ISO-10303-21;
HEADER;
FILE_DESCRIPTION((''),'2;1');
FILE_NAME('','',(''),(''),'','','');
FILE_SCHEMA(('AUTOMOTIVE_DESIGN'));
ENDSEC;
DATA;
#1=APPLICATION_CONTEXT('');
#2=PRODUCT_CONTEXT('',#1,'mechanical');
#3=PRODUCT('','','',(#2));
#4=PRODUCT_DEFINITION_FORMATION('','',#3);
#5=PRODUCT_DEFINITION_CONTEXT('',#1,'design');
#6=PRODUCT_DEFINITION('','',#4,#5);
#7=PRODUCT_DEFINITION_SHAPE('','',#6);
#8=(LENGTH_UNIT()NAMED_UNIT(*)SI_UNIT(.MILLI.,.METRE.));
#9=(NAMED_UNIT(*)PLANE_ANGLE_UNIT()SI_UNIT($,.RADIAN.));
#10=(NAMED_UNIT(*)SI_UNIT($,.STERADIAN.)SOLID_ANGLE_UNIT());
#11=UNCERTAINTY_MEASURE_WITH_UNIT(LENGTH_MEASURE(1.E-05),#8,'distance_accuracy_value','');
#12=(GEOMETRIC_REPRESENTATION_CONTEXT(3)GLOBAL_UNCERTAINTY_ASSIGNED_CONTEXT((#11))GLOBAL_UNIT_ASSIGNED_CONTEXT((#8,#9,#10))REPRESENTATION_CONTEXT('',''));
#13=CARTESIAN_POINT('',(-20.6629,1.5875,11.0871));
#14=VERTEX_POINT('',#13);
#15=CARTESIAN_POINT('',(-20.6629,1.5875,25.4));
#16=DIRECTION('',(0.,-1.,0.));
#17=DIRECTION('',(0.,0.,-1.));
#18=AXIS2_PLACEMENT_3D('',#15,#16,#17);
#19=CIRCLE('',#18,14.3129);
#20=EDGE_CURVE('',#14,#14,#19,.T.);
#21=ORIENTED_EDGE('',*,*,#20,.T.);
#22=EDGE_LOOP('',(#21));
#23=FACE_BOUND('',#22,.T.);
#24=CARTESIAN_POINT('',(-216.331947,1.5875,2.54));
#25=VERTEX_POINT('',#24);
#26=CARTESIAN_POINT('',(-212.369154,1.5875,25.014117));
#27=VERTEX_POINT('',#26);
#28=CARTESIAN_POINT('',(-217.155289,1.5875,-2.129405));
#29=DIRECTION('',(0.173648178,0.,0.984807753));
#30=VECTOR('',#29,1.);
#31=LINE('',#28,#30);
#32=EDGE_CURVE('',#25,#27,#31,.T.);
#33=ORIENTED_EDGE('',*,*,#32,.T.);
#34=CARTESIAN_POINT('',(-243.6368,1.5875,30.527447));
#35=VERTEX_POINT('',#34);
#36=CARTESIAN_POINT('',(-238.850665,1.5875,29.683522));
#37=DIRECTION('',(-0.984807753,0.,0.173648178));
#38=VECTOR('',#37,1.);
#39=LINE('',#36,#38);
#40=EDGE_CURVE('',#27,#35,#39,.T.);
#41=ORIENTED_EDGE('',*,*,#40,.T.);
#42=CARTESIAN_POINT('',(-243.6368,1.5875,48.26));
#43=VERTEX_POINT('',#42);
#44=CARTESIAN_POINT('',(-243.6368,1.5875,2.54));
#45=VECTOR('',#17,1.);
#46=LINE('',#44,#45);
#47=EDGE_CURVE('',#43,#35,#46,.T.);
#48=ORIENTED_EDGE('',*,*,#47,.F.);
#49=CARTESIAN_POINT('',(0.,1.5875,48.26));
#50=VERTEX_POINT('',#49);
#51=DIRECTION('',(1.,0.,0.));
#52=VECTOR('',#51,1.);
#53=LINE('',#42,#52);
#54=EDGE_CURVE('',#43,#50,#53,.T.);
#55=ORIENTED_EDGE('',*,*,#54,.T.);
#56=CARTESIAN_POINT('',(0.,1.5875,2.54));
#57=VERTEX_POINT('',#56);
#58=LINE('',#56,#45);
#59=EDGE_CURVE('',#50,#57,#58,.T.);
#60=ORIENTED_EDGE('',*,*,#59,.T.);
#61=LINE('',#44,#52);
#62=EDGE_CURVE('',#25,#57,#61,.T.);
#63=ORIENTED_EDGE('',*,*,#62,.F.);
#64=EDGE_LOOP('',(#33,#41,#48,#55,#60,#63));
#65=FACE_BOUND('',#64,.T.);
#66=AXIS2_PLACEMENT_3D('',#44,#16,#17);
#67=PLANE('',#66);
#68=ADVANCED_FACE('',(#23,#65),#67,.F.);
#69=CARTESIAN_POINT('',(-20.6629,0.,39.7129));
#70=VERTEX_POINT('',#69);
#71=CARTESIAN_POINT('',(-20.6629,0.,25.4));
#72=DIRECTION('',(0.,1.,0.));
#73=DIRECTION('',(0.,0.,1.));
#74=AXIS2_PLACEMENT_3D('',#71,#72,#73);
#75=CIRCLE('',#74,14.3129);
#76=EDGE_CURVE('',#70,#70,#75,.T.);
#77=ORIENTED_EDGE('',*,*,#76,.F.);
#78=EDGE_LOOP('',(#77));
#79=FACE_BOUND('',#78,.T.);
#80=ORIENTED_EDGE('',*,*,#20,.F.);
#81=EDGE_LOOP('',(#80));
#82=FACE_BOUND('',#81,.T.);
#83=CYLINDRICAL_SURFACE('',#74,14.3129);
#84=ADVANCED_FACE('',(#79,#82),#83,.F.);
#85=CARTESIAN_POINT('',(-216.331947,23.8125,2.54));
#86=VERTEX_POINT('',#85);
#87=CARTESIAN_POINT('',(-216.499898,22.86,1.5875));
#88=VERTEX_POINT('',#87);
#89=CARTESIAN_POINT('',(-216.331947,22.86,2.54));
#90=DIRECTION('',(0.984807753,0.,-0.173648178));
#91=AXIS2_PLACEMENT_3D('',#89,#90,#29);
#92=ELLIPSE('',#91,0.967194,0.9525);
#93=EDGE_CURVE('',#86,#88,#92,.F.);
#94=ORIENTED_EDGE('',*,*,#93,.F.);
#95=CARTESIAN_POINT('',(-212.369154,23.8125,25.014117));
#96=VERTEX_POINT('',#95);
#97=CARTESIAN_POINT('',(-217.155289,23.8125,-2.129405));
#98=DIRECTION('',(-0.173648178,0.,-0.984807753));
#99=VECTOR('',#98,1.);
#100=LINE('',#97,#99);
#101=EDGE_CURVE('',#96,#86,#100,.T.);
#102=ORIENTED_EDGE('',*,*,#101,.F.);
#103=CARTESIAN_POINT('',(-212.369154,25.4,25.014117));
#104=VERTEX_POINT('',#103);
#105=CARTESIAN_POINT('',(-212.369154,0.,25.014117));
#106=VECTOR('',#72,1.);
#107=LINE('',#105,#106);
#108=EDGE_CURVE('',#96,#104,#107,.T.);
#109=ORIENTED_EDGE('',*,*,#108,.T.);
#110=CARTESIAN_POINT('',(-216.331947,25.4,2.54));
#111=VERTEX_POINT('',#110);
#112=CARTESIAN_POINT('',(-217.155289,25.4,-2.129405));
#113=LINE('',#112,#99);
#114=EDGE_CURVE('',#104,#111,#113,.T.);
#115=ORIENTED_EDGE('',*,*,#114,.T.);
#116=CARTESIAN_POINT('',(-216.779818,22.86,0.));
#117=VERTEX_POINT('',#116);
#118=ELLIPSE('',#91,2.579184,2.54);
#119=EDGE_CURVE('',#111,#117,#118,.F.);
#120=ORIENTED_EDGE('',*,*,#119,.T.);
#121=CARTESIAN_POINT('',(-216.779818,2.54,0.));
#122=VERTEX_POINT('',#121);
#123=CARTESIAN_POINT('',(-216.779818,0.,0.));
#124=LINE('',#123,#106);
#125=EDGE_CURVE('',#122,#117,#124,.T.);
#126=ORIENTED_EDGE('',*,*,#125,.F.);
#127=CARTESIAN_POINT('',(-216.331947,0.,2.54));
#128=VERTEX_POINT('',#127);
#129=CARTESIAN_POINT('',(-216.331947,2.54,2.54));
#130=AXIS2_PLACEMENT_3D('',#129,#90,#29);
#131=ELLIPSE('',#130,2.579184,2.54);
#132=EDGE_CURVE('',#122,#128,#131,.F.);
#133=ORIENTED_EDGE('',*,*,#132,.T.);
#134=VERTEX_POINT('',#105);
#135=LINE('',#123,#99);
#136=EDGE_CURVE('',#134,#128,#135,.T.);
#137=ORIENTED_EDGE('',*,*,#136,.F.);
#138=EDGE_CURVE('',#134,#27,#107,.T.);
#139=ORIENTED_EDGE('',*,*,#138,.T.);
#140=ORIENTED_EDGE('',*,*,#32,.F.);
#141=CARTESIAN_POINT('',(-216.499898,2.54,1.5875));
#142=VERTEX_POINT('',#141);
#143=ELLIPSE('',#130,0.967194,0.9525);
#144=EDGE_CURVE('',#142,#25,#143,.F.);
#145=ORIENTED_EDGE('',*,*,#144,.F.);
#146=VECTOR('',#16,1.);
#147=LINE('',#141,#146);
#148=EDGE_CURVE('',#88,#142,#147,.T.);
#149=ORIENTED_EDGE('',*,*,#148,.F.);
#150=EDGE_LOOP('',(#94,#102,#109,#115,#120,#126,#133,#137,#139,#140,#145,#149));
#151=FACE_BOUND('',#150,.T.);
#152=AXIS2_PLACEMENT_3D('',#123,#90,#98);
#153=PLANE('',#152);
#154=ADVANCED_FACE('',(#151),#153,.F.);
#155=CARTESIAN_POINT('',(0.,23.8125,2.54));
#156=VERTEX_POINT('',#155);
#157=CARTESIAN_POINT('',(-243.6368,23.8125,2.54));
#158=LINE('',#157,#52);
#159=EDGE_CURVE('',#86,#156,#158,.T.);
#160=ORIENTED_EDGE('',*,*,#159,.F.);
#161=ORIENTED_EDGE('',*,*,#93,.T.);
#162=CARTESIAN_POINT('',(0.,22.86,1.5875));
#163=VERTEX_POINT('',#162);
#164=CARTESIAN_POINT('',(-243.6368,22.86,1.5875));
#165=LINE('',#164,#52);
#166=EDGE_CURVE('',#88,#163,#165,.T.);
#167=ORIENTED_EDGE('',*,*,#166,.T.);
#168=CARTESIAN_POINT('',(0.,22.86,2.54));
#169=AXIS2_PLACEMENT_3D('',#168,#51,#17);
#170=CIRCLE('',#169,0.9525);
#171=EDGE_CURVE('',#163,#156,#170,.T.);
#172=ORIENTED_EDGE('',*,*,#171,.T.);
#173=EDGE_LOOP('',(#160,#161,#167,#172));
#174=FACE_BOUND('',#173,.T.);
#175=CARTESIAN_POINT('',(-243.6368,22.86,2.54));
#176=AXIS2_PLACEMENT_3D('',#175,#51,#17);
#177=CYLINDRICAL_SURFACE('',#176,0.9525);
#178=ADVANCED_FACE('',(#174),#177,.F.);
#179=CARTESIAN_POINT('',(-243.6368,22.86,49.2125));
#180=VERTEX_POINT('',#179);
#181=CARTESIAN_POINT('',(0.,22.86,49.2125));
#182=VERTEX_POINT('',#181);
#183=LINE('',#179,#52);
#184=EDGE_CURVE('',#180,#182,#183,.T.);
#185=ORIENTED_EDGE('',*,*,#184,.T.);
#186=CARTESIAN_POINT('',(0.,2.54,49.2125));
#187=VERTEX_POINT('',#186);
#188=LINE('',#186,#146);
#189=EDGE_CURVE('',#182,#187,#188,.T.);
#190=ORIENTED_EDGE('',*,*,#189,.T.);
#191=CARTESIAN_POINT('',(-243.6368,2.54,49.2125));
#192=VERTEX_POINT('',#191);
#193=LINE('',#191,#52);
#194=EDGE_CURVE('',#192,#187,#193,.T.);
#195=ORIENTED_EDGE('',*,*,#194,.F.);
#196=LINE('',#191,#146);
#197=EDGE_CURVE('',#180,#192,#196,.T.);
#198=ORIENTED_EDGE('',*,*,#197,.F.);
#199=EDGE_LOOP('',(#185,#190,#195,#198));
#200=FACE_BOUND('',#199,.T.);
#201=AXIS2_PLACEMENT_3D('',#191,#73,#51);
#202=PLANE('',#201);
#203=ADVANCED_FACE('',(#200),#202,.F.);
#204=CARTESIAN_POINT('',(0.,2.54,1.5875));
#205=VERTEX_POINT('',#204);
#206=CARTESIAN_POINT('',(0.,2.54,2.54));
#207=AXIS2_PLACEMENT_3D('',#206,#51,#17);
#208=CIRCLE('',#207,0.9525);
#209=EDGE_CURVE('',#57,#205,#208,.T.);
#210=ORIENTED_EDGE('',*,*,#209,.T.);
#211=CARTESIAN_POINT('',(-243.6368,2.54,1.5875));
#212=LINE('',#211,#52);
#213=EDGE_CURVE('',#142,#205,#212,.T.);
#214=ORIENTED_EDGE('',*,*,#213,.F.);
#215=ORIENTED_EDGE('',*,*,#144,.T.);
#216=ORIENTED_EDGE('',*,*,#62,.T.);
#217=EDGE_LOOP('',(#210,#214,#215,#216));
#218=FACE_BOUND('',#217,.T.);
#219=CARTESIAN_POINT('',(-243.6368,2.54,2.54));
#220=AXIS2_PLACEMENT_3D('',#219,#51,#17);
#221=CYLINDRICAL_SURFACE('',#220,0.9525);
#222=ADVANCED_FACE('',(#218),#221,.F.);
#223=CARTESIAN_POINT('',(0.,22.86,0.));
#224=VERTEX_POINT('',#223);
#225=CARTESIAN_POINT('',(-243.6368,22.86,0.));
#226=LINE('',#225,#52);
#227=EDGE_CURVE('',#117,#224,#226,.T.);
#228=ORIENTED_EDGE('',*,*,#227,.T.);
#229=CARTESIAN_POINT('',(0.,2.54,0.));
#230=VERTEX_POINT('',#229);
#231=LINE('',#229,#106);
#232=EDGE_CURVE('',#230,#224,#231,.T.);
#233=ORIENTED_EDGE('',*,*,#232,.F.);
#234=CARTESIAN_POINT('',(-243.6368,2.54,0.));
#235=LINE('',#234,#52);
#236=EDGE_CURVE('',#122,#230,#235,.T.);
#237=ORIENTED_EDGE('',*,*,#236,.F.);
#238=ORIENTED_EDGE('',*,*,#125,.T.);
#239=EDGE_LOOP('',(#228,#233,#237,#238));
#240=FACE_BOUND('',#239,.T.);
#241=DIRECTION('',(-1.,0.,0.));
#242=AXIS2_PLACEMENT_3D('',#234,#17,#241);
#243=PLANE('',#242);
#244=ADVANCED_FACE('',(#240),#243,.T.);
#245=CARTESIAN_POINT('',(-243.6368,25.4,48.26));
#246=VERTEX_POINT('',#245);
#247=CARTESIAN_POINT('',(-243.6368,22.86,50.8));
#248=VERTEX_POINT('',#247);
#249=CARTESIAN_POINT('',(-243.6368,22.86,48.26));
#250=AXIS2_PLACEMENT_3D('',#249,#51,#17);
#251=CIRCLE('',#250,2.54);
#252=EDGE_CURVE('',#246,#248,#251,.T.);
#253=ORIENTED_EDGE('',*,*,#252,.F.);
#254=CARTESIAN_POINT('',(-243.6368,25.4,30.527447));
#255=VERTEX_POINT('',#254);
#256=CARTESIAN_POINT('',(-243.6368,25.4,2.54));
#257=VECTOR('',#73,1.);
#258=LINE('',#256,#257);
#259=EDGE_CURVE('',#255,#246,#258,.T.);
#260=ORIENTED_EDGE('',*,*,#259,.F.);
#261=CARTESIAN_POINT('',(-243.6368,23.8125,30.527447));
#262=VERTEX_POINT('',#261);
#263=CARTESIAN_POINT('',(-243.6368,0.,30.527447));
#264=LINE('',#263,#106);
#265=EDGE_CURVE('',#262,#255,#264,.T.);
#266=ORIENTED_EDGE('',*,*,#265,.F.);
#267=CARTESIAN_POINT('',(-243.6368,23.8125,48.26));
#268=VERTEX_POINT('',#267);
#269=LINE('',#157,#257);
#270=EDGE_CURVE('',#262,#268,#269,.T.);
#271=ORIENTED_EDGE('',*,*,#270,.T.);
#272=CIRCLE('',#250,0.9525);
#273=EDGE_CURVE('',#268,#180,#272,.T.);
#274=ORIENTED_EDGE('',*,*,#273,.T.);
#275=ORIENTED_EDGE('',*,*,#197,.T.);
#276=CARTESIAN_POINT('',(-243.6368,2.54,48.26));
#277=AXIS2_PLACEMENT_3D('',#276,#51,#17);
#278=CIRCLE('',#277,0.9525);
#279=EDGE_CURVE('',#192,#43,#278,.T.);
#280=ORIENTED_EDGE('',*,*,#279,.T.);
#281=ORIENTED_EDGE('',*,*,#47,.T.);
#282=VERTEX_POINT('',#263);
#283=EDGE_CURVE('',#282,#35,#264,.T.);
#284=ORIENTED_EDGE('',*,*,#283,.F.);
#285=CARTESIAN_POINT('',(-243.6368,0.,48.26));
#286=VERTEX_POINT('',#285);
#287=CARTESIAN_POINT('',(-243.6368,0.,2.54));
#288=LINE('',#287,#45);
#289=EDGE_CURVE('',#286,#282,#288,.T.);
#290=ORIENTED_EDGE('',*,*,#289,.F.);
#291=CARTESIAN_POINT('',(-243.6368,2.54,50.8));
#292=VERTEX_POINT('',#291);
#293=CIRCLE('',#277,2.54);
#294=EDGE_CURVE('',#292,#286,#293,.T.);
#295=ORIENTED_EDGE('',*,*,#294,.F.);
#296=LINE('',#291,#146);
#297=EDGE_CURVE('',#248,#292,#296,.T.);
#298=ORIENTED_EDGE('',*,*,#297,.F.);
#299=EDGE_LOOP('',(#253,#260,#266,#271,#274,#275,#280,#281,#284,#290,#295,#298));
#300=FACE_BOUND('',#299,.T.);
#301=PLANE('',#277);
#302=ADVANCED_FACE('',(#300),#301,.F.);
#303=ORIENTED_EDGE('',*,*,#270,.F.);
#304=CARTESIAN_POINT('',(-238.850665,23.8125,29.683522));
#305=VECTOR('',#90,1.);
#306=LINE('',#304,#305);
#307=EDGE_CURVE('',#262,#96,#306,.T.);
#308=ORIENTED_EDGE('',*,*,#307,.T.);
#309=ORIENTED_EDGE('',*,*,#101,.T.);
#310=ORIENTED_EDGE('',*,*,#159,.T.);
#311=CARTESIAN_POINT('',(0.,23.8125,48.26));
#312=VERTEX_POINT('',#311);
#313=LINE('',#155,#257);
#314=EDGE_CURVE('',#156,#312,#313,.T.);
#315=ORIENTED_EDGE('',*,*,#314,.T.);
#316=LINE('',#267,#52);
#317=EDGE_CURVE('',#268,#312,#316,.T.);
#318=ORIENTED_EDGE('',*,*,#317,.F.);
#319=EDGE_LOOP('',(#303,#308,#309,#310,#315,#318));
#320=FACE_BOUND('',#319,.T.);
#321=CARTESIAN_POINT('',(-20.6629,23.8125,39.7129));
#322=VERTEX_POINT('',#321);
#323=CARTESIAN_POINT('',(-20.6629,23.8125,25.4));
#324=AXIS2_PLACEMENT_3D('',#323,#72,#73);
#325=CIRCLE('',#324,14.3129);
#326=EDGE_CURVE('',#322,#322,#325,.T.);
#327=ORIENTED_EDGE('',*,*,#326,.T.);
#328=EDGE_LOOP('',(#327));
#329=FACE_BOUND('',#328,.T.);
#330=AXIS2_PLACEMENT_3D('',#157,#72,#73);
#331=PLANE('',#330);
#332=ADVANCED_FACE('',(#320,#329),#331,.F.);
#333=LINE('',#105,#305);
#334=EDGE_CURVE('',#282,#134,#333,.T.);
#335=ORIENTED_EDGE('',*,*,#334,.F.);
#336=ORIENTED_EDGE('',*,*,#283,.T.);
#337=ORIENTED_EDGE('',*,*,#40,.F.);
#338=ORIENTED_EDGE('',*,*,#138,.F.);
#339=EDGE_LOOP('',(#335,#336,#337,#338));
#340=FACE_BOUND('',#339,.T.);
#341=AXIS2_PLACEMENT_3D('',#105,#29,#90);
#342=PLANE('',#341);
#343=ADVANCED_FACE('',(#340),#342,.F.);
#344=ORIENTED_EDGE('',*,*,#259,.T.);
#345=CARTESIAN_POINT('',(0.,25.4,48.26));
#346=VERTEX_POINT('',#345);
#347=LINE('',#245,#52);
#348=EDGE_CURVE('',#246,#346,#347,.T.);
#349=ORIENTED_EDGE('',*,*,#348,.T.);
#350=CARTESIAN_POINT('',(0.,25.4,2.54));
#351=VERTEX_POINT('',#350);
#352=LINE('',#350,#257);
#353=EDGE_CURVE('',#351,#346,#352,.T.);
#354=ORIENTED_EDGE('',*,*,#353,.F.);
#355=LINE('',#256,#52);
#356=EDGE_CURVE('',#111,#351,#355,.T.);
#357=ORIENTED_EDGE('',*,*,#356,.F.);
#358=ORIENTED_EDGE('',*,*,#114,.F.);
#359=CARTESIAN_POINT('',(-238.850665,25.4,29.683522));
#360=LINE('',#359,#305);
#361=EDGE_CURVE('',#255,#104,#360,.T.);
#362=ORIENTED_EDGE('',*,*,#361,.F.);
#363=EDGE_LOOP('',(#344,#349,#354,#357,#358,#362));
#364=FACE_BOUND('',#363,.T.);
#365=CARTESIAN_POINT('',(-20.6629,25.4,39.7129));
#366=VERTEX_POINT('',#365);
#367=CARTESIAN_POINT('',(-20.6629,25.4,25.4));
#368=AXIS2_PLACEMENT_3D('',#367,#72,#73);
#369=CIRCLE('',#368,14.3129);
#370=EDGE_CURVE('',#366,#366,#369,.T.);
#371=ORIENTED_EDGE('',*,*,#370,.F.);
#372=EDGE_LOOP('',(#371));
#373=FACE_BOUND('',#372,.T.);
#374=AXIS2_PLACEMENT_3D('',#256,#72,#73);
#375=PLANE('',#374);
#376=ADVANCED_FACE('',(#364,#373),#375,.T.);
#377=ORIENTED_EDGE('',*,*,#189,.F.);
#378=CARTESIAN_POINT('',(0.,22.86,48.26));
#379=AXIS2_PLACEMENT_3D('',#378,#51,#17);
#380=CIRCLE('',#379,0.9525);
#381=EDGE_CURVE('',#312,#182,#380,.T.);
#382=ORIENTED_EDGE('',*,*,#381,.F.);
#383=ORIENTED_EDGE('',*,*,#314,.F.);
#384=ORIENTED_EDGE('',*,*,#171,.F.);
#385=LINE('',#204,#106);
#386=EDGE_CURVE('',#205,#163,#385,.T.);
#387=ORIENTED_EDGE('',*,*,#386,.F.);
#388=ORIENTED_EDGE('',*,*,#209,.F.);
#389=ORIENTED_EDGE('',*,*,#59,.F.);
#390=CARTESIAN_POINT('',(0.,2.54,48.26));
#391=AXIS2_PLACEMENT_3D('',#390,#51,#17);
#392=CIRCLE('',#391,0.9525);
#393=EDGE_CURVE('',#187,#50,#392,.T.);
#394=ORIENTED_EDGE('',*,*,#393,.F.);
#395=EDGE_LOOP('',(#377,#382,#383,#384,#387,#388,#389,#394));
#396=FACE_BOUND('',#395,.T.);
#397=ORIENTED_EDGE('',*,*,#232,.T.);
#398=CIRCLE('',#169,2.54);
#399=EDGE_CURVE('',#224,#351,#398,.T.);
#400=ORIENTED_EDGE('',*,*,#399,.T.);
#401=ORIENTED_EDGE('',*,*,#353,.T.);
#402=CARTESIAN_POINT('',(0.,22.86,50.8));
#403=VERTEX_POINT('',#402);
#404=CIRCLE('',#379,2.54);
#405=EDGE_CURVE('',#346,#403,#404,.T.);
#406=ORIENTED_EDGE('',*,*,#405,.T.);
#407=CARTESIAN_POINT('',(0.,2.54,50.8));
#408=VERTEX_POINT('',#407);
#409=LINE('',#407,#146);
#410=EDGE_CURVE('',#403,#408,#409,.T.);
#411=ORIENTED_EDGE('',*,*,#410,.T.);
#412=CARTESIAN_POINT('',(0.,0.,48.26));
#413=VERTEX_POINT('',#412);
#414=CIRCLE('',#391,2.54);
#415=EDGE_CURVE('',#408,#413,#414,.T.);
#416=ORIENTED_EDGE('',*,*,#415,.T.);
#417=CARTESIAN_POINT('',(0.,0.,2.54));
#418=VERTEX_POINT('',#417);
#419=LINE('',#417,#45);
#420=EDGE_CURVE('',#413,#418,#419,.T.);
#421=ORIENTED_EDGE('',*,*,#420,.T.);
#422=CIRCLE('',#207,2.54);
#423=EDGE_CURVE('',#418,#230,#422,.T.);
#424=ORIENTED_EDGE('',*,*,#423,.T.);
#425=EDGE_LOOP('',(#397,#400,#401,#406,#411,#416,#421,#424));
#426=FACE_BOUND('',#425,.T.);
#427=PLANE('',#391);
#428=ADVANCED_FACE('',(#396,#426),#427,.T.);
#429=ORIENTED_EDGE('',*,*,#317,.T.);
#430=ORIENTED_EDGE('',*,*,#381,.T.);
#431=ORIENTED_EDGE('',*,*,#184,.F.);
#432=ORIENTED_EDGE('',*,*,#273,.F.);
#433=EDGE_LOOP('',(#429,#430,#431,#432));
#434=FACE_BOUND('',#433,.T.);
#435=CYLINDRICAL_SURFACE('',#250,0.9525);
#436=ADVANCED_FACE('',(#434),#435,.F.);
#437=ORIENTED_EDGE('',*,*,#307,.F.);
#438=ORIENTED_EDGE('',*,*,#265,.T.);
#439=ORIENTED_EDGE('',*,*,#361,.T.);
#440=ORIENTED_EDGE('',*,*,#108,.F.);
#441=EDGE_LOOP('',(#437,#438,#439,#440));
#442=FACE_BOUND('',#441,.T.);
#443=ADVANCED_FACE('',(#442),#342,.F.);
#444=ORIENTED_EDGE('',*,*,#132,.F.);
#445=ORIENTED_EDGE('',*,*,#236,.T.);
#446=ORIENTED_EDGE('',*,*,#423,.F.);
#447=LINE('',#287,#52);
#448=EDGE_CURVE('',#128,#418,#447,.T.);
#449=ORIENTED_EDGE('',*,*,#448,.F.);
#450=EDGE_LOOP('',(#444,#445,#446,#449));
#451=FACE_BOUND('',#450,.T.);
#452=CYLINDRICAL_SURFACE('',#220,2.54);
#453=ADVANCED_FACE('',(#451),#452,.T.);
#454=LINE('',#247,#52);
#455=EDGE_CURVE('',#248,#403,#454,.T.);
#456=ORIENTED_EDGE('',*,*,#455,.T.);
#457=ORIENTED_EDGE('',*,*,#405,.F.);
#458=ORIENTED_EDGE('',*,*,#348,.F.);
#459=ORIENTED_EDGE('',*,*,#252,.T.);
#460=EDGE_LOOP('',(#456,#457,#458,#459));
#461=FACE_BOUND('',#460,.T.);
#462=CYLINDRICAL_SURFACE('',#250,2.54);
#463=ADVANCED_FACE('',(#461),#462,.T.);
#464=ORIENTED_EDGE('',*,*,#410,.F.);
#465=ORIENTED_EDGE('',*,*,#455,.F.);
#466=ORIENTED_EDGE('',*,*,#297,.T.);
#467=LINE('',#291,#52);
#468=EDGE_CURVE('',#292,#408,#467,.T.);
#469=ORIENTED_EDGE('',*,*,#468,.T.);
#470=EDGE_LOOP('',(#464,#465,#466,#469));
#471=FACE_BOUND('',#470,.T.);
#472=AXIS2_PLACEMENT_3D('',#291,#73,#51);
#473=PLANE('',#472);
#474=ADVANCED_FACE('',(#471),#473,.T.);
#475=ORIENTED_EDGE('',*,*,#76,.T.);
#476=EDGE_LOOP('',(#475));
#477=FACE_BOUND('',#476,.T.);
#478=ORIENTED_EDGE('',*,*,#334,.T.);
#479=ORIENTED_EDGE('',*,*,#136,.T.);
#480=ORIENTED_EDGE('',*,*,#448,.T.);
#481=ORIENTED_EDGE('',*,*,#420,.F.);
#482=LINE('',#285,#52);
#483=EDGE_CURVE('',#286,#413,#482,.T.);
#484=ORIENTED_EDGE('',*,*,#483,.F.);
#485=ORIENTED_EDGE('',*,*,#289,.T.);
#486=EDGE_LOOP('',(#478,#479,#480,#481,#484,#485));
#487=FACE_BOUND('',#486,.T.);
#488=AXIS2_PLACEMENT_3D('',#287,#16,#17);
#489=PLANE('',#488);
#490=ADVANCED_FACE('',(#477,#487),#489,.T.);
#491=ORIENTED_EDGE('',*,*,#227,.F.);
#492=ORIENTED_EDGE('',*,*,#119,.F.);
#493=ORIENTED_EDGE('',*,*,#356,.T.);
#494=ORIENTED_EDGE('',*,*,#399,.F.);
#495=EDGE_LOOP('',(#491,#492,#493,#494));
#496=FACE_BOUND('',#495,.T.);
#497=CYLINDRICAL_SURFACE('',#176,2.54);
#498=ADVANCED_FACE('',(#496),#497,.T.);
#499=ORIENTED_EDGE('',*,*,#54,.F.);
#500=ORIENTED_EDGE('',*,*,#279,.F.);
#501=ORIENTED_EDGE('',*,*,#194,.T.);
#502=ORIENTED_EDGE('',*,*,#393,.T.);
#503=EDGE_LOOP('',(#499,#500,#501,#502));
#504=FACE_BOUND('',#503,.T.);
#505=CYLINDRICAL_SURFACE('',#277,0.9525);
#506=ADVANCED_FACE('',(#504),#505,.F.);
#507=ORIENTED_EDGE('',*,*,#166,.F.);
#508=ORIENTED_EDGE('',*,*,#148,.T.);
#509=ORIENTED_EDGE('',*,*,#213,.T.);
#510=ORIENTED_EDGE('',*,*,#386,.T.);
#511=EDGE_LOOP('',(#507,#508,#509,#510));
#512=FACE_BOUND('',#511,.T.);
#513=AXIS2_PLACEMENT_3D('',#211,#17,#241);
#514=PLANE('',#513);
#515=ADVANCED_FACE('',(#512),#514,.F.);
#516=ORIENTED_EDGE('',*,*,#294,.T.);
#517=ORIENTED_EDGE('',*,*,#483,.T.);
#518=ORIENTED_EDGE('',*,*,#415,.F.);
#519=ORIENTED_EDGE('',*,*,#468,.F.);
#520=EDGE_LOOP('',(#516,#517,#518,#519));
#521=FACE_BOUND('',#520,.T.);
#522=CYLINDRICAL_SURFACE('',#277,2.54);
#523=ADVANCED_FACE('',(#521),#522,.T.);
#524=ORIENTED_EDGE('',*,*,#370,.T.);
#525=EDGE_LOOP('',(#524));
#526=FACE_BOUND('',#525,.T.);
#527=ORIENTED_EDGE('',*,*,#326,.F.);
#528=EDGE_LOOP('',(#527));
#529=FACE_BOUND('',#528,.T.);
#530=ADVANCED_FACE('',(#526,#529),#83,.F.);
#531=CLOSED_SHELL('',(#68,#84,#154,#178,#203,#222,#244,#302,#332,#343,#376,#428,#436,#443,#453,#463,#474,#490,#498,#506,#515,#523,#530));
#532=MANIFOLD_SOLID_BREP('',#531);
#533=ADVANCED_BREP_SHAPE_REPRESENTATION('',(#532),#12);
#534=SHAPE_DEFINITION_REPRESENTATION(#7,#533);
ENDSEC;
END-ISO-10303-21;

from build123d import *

# Parameters (mm, degrees)
EXTRUDE_THIN1_DEPTH     = 243.6368
CUT_EXTRUDE1_DEPTH      = 251.169323288
CUT_EXTRUDE1_DEPTH_BACK = 251.169323288
SKETCH4_R               = 14.3129


with BuildPart() as part:
    # Sketch1 → Extrude-Thin1 (new body)
    with BuildSketch(Plane(origin=(0, 0, 0), x_dir=(0, 0, -1), z_dir=(1, 0, 0))):
        with BuildLine():
            Line((-48.26, 25.4), (-2.54, 25.4))
            ThreePointArc((-2.54, 25.4), (-0.743948776, 24.656051224), (0, 22.86))
            Line((0, 22.86), (0, 2.54))
            ThreePointArc((0, 2.54), (-0.743948776, 0.743948776), (-2.54, 0))
            Line((-2.54, 0), (-48.26, 0))
            ThreePointArc((-48.26, 0), (-50.056051224, 0.743948776), (-50.8, 2.54))
            Line((-50.8, 2.54), (-50.8, 22.86))
            ThreePointArc((-50.8, 22.86), (-50.056051224, 24.656051224), (-48.26, 25.4))
        make_face()
        with BuildLine():
            Line((-48.26, 23.8125), (-2.54, 23.8125))
            ThreePointArc((-2.54, 23.8125), (-1.866480791, 23.533519209), (-1.5875, 22.86))
            Line((-1.5875, 22.86), (-1.5875, 2.54))
            ThreePointArc((-1.5875, 2.54), (-1.866480791, 1.866480791), (-2.54, 1.5875))
            Line((-2.54, 1.5875), (-48.26, 1.5875))
            ThreePointArc((-48.26, 1.5875), (-48.933519209, 1.866480791), (-49.2125, 2.54))
            Line((-49.2125, 2.54), (-49.2125, 22.86))
            ThreePointArc((-49.2125, 22.86), (-48.933519209, 23.533519209), (-48.26, 23.8125))
        make_face(mode=Mode.SUBTRACT)
    extrude(amount=-EXTRUDE_THIN1_DEPTH)

    # Sketch4 → Cut-Extrude1 (cut, two sides: drawn at the far end of the back side and taken through both)
    with BuildSketch(Plane(origin=(0, 25.4, 0), x_dir=(1, 0, 0), z_dir=(0, 1, 0)).offset(-CUT_EXTRUDE1_DEPTH_BACK)):
        with Locations(Location((-20.6629, -25.4, 0), (0, 0, 270))):
            Circle(SKETCH4_R)
        Polygon((-216.779817555, 0), (-212.369153842, -25.014116927), (-243.6368, -30.527446567), (-243.6368, 0), align=None)
    extrude(amount=CUT_EXTRUDE1_DEPTH + CUT_EXTRUDE1_DEPTH_BACK, mode=Mode.SUBTRACT)


solid = part.part
